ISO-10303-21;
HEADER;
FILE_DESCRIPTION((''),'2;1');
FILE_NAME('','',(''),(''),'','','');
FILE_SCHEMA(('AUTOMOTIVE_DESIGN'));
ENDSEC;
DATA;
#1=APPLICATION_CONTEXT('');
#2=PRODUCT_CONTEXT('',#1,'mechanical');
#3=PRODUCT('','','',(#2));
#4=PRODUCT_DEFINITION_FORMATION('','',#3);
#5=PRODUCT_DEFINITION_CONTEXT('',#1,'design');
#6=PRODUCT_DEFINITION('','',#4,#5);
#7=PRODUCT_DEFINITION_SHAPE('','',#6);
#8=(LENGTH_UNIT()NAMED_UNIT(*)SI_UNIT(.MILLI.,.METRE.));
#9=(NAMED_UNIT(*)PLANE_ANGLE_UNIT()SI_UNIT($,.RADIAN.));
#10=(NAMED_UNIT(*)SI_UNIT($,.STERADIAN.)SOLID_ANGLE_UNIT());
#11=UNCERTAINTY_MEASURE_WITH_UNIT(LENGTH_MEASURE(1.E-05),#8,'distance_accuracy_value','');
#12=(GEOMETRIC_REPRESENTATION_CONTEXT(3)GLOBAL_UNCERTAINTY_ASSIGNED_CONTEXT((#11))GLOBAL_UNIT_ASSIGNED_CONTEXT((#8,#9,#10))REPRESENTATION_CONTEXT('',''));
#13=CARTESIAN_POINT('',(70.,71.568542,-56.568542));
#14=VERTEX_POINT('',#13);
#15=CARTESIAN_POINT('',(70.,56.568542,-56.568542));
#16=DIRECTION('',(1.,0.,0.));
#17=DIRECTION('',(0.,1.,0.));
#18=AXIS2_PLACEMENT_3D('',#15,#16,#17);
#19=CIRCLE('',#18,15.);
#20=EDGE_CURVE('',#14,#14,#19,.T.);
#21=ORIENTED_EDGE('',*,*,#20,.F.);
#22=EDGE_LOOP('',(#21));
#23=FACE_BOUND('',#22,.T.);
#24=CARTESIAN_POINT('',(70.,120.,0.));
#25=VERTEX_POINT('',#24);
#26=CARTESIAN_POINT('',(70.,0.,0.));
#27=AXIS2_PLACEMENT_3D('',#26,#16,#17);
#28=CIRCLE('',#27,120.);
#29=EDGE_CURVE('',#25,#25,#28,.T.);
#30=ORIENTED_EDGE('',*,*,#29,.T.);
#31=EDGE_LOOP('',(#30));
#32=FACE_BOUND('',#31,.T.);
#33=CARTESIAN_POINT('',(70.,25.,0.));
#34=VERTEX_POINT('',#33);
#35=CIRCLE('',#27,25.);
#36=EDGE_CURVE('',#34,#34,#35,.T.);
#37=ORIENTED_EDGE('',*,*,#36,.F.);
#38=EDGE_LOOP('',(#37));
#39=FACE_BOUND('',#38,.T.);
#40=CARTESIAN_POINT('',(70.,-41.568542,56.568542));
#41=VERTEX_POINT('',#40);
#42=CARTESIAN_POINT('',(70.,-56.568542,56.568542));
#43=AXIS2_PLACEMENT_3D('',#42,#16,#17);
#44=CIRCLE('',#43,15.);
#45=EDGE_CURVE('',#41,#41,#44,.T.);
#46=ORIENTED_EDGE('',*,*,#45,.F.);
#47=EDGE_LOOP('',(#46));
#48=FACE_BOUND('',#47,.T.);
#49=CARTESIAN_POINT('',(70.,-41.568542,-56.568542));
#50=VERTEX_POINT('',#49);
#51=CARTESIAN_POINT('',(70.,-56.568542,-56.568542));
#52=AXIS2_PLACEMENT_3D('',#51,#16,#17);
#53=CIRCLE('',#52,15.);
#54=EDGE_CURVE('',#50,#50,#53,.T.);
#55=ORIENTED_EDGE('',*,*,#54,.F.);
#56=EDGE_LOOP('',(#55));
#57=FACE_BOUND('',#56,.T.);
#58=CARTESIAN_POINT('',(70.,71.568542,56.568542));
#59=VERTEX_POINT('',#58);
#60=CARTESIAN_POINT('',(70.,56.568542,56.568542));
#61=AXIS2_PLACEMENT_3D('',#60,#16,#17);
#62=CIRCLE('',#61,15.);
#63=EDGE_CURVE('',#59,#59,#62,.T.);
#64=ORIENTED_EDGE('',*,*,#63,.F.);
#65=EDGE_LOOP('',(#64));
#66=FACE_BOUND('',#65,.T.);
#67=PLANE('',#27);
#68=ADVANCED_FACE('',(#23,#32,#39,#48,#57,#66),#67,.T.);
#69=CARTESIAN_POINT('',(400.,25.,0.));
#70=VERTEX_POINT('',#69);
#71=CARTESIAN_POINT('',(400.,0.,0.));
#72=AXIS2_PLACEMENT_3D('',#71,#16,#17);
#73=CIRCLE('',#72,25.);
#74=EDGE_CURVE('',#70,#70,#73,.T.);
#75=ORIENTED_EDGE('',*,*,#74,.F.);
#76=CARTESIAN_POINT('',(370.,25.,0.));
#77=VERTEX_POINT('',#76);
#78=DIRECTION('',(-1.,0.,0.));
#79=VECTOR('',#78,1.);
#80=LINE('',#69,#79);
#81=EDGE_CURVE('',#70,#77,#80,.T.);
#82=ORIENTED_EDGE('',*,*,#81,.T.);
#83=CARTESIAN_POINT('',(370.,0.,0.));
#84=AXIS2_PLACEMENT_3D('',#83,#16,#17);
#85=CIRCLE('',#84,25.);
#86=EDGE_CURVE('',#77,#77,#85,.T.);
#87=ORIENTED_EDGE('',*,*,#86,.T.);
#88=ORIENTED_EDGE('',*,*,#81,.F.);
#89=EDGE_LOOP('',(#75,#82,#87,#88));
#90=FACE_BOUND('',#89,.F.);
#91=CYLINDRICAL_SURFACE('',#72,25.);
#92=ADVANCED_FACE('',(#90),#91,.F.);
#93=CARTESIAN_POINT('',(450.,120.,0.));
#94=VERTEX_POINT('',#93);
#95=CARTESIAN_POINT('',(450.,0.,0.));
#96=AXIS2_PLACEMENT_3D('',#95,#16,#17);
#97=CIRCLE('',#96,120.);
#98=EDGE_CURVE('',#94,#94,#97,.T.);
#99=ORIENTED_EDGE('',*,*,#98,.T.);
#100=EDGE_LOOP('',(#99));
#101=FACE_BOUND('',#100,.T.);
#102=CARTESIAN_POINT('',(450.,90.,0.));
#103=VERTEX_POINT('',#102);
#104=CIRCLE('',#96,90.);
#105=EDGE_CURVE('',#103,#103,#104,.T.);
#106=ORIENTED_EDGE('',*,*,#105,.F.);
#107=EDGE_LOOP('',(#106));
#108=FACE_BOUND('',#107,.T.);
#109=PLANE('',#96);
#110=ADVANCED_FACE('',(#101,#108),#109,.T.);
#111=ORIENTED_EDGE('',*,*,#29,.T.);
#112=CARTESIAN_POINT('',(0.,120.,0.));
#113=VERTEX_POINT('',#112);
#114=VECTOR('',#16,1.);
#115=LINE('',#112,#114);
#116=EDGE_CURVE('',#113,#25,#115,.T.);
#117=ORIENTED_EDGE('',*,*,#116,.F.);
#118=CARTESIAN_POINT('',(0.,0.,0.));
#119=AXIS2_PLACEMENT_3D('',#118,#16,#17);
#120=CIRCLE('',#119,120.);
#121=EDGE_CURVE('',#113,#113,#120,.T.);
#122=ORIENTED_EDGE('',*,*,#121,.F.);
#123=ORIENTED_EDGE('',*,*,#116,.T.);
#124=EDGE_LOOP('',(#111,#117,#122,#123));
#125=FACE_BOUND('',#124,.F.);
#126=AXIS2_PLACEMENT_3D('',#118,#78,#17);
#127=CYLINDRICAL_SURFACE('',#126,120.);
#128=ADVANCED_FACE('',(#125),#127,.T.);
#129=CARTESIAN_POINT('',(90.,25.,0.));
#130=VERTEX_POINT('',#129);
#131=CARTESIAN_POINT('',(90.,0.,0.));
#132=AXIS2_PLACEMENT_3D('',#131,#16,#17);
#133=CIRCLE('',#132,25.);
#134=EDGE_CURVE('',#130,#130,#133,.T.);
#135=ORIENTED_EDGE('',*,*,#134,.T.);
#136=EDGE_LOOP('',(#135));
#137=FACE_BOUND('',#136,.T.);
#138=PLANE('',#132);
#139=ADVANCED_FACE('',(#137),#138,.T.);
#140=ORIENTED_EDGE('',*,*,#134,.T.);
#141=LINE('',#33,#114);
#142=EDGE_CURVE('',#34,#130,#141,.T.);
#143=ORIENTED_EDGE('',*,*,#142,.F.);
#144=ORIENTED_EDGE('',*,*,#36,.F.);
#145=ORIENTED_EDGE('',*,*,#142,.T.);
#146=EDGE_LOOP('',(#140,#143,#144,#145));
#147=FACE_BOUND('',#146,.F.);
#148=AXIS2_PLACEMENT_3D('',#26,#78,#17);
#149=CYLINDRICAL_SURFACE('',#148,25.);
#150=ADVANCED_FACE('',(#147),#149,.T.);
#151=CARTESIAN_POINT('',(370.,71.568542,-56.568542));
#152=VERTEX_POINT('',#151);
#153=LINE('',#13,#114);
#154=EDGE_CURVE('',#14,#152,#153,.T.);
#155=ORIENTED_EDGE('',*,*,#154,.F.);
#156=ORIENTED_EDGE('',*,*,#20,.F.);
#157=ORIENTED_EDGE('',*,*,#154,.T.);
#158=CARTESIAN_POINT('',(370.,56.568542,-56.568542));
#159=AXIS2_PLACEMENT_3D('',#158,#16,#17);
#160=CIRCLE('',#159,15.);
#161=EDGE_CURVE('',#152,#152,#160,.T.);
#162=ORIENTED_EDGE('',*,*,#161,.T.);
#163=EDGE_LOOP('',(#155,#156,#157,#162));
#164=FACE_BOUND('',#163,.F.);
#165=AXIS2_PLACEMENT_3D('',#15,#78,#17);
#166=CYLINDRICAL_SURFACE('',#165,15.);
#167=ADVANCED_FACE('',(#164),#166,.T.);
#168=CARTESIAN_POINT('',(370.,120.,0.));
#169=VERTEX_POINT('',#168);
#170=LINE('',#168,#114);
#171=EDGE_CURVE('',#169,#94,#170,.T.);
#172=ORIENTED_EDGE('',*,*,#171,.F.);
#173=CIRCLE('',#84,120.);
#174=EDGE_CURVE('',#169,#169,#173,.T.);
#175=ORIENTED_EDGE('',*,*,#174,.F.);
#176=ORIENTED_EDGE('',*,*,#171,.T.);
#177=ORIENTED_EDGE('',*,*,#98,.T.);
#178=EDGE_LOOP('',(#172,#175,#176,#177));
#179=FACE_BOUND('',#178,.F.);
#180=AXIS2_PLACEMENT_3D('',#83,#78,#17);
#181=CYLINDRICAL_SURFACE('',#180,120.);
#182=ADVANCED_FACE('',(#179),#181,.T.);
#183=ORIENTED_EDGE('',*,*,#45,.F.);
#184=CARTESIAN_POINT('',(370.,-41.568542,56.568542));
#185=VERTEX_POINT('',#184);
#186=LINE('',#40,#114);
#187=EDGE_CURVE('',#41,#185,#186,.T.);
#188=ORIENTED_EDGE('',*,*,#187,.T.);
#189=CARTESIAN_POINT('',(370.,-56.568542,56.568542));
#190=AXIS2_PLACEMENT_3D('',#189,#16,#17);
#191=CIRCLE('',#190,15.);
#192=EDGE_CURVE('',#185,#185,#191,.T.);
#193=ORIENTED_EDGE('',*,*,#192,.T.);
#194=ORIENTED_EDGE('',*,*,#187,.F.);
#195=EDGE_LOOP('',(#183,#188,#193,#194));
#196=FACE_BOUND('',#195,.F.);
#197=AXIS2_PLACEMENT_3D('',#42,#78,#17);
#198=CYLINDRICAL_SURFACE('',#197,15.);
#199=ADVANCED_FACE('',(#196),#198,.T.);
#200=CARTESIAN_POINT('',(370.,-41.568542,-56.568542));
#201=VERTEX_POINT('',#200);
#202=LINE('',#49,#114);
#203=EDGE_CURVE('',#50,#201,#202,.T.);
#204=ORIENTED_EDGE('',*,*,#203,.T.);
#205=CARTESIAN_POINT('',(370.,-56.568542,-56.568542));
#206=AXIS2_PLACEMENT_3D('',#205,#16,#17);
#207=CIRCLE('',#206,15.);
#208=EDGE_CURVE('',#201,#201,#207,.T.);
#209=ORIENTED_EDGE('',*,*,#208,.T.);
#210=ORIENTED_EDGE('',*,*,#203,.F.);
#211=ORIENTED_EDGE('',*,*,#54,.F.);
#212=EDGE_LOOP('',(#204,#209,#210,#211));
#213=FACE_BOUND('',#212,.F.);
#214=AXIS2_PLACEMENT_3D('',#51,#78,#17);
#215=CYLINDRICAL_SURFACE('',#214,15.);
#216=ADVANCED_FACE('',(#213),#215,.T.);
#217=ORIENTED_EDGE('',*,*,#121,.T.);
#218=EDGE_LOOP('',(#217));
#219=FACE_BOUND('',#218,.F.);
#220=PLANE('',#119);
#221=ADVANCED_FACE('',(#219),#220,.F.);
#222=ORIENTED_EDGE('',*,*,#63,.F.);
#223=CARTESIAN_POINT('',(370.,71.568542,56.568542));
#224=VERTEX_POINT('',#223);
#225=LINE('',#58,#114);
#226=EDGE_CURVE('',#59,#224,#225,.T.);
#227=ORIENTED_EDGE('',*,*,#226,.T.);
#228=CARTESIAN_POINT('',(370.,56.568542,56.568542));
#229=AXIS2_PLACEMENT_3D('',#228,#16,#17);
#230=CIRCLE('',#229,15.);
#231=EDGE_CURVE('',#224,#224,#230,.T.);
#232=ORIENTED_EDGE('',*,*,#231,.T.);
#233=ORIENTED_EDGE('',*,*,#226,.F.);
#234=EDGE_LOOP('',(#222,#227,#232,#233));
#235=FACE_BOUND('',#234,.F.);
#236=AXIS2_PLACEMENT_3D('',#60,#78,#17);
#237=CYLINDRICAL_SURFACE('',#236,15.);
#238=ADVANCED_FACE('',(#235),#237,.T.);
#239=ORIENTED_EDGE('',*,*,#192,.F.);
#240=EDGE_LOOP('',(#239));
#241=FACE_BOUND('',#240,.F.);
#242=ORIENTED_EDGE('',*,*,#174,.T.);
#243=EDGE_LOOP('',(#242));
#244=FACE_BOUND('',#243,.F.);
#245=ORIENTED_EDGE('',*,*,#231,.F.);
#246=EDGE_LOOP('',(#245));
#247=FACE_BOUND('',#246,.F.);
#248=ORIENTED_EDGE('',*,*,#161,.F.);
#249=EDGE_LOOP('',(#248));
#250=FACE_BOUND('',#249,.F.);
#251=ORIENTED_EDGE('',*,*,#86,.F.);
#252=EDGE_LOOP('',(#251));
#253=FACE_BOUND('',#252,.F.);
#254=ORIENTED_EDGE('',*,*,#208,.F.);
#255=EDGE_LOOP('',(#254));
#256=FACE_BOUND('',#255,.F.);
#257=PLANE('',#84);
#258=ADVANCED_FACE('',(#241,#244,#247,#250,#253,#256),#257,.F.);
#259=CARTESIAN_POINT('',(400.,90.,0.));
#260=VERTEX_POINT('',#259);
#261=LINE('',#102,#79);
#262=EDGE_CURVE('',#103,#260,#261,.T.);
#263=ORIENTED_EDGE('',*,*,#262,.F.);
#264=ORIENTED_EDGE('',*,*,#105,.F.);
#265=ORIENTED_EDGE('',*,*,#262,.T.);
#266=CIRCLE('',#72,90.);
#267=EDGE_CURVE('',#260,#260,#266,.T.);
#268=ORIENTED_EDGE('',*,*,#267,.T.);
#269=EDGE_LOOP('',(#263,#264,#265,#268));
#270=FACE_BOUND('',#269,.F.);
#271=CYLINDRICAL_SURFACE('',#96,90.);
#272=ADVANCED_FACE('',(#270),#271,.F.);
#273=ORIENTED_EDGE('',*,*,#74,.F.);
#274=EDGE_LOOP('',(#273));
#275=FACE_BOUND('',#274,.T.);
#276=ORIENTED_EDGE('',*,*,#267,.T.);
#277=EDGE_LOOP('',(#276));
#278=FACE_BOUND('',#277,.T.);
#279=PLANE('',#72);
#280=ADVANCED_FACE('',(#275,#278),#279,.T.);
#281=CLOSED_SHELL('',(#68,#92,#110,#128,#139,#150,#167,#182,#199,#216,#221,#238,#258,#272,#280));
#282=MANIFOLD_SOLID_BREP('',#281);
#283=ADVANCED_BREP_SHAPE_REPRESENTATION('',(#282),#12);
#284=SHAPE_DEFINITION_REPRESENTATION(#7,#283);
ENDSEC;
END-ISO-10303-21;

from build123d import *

# Parameters (mm, degrees)
F0_R      = 120
F1_DEPTH  = 70
F2_R      = 25
F3_DEPTH  = 20
F4_R      = 15
F5_DEPTH  = 300
F6_R      = 120
F7_DEPTH  = 80
F8_R      = 90
F9_DEPTH  = 50
F10_R     = 25
F11_DEPTH = 60


with BuildPart() as f1:
    # F0 (on Right) → F1 (new body)
    with BuildSketch(Plane.YZ):
        Circle(F0_R)
    extrude(amount=F1_DEPTH)

    # F2 (on face) → F3 (join)
    with BuildSketch(Plane.YZ.offset(70)):
        Circle(F2_R)
    extrude(amount=F3_DEPTH)

    # F4 (on face) → F5 (join)
    with BuildSketch(Plane.YZ.offset(70)):
        with Locations((-56.5685424949, -56.5685424949)):
            Circle(F4_R)
        with Locations((-56.5685424949, 56.5685424949)):
            Circle(F4_R)
        with Locations((56.5685424949, 56.5685424949)):
            Circle(F4_R)
        with Locations((56.5685424949, -56.5685424949)):
            Circle(F4_R)
    extrude(amount=F5_DEPTH)

    # F6 (on face) → F7 (join)
    with BuildSketch(Plane.YZ.offset(370)):
        Circle(F6_R)
    extrude(amount=F7_DEPTH)

    # F8 (on face) → F9 (cut)
    with BuildSketch(Plane.YZ.offset(450)):
        Circle(F8_R)
    extrude(amount=-F9_DEPTH, mode=Mode.SUBTRACT)

    # F10 (on face) → F11 (cut)
    with BuildSketch(Plane.YZ.offset(400)):
        Circle(F10_R)
    extrude(amount=-F11_DEPTH, mode=Mode.SUBTRACT)


solid = f1.part
